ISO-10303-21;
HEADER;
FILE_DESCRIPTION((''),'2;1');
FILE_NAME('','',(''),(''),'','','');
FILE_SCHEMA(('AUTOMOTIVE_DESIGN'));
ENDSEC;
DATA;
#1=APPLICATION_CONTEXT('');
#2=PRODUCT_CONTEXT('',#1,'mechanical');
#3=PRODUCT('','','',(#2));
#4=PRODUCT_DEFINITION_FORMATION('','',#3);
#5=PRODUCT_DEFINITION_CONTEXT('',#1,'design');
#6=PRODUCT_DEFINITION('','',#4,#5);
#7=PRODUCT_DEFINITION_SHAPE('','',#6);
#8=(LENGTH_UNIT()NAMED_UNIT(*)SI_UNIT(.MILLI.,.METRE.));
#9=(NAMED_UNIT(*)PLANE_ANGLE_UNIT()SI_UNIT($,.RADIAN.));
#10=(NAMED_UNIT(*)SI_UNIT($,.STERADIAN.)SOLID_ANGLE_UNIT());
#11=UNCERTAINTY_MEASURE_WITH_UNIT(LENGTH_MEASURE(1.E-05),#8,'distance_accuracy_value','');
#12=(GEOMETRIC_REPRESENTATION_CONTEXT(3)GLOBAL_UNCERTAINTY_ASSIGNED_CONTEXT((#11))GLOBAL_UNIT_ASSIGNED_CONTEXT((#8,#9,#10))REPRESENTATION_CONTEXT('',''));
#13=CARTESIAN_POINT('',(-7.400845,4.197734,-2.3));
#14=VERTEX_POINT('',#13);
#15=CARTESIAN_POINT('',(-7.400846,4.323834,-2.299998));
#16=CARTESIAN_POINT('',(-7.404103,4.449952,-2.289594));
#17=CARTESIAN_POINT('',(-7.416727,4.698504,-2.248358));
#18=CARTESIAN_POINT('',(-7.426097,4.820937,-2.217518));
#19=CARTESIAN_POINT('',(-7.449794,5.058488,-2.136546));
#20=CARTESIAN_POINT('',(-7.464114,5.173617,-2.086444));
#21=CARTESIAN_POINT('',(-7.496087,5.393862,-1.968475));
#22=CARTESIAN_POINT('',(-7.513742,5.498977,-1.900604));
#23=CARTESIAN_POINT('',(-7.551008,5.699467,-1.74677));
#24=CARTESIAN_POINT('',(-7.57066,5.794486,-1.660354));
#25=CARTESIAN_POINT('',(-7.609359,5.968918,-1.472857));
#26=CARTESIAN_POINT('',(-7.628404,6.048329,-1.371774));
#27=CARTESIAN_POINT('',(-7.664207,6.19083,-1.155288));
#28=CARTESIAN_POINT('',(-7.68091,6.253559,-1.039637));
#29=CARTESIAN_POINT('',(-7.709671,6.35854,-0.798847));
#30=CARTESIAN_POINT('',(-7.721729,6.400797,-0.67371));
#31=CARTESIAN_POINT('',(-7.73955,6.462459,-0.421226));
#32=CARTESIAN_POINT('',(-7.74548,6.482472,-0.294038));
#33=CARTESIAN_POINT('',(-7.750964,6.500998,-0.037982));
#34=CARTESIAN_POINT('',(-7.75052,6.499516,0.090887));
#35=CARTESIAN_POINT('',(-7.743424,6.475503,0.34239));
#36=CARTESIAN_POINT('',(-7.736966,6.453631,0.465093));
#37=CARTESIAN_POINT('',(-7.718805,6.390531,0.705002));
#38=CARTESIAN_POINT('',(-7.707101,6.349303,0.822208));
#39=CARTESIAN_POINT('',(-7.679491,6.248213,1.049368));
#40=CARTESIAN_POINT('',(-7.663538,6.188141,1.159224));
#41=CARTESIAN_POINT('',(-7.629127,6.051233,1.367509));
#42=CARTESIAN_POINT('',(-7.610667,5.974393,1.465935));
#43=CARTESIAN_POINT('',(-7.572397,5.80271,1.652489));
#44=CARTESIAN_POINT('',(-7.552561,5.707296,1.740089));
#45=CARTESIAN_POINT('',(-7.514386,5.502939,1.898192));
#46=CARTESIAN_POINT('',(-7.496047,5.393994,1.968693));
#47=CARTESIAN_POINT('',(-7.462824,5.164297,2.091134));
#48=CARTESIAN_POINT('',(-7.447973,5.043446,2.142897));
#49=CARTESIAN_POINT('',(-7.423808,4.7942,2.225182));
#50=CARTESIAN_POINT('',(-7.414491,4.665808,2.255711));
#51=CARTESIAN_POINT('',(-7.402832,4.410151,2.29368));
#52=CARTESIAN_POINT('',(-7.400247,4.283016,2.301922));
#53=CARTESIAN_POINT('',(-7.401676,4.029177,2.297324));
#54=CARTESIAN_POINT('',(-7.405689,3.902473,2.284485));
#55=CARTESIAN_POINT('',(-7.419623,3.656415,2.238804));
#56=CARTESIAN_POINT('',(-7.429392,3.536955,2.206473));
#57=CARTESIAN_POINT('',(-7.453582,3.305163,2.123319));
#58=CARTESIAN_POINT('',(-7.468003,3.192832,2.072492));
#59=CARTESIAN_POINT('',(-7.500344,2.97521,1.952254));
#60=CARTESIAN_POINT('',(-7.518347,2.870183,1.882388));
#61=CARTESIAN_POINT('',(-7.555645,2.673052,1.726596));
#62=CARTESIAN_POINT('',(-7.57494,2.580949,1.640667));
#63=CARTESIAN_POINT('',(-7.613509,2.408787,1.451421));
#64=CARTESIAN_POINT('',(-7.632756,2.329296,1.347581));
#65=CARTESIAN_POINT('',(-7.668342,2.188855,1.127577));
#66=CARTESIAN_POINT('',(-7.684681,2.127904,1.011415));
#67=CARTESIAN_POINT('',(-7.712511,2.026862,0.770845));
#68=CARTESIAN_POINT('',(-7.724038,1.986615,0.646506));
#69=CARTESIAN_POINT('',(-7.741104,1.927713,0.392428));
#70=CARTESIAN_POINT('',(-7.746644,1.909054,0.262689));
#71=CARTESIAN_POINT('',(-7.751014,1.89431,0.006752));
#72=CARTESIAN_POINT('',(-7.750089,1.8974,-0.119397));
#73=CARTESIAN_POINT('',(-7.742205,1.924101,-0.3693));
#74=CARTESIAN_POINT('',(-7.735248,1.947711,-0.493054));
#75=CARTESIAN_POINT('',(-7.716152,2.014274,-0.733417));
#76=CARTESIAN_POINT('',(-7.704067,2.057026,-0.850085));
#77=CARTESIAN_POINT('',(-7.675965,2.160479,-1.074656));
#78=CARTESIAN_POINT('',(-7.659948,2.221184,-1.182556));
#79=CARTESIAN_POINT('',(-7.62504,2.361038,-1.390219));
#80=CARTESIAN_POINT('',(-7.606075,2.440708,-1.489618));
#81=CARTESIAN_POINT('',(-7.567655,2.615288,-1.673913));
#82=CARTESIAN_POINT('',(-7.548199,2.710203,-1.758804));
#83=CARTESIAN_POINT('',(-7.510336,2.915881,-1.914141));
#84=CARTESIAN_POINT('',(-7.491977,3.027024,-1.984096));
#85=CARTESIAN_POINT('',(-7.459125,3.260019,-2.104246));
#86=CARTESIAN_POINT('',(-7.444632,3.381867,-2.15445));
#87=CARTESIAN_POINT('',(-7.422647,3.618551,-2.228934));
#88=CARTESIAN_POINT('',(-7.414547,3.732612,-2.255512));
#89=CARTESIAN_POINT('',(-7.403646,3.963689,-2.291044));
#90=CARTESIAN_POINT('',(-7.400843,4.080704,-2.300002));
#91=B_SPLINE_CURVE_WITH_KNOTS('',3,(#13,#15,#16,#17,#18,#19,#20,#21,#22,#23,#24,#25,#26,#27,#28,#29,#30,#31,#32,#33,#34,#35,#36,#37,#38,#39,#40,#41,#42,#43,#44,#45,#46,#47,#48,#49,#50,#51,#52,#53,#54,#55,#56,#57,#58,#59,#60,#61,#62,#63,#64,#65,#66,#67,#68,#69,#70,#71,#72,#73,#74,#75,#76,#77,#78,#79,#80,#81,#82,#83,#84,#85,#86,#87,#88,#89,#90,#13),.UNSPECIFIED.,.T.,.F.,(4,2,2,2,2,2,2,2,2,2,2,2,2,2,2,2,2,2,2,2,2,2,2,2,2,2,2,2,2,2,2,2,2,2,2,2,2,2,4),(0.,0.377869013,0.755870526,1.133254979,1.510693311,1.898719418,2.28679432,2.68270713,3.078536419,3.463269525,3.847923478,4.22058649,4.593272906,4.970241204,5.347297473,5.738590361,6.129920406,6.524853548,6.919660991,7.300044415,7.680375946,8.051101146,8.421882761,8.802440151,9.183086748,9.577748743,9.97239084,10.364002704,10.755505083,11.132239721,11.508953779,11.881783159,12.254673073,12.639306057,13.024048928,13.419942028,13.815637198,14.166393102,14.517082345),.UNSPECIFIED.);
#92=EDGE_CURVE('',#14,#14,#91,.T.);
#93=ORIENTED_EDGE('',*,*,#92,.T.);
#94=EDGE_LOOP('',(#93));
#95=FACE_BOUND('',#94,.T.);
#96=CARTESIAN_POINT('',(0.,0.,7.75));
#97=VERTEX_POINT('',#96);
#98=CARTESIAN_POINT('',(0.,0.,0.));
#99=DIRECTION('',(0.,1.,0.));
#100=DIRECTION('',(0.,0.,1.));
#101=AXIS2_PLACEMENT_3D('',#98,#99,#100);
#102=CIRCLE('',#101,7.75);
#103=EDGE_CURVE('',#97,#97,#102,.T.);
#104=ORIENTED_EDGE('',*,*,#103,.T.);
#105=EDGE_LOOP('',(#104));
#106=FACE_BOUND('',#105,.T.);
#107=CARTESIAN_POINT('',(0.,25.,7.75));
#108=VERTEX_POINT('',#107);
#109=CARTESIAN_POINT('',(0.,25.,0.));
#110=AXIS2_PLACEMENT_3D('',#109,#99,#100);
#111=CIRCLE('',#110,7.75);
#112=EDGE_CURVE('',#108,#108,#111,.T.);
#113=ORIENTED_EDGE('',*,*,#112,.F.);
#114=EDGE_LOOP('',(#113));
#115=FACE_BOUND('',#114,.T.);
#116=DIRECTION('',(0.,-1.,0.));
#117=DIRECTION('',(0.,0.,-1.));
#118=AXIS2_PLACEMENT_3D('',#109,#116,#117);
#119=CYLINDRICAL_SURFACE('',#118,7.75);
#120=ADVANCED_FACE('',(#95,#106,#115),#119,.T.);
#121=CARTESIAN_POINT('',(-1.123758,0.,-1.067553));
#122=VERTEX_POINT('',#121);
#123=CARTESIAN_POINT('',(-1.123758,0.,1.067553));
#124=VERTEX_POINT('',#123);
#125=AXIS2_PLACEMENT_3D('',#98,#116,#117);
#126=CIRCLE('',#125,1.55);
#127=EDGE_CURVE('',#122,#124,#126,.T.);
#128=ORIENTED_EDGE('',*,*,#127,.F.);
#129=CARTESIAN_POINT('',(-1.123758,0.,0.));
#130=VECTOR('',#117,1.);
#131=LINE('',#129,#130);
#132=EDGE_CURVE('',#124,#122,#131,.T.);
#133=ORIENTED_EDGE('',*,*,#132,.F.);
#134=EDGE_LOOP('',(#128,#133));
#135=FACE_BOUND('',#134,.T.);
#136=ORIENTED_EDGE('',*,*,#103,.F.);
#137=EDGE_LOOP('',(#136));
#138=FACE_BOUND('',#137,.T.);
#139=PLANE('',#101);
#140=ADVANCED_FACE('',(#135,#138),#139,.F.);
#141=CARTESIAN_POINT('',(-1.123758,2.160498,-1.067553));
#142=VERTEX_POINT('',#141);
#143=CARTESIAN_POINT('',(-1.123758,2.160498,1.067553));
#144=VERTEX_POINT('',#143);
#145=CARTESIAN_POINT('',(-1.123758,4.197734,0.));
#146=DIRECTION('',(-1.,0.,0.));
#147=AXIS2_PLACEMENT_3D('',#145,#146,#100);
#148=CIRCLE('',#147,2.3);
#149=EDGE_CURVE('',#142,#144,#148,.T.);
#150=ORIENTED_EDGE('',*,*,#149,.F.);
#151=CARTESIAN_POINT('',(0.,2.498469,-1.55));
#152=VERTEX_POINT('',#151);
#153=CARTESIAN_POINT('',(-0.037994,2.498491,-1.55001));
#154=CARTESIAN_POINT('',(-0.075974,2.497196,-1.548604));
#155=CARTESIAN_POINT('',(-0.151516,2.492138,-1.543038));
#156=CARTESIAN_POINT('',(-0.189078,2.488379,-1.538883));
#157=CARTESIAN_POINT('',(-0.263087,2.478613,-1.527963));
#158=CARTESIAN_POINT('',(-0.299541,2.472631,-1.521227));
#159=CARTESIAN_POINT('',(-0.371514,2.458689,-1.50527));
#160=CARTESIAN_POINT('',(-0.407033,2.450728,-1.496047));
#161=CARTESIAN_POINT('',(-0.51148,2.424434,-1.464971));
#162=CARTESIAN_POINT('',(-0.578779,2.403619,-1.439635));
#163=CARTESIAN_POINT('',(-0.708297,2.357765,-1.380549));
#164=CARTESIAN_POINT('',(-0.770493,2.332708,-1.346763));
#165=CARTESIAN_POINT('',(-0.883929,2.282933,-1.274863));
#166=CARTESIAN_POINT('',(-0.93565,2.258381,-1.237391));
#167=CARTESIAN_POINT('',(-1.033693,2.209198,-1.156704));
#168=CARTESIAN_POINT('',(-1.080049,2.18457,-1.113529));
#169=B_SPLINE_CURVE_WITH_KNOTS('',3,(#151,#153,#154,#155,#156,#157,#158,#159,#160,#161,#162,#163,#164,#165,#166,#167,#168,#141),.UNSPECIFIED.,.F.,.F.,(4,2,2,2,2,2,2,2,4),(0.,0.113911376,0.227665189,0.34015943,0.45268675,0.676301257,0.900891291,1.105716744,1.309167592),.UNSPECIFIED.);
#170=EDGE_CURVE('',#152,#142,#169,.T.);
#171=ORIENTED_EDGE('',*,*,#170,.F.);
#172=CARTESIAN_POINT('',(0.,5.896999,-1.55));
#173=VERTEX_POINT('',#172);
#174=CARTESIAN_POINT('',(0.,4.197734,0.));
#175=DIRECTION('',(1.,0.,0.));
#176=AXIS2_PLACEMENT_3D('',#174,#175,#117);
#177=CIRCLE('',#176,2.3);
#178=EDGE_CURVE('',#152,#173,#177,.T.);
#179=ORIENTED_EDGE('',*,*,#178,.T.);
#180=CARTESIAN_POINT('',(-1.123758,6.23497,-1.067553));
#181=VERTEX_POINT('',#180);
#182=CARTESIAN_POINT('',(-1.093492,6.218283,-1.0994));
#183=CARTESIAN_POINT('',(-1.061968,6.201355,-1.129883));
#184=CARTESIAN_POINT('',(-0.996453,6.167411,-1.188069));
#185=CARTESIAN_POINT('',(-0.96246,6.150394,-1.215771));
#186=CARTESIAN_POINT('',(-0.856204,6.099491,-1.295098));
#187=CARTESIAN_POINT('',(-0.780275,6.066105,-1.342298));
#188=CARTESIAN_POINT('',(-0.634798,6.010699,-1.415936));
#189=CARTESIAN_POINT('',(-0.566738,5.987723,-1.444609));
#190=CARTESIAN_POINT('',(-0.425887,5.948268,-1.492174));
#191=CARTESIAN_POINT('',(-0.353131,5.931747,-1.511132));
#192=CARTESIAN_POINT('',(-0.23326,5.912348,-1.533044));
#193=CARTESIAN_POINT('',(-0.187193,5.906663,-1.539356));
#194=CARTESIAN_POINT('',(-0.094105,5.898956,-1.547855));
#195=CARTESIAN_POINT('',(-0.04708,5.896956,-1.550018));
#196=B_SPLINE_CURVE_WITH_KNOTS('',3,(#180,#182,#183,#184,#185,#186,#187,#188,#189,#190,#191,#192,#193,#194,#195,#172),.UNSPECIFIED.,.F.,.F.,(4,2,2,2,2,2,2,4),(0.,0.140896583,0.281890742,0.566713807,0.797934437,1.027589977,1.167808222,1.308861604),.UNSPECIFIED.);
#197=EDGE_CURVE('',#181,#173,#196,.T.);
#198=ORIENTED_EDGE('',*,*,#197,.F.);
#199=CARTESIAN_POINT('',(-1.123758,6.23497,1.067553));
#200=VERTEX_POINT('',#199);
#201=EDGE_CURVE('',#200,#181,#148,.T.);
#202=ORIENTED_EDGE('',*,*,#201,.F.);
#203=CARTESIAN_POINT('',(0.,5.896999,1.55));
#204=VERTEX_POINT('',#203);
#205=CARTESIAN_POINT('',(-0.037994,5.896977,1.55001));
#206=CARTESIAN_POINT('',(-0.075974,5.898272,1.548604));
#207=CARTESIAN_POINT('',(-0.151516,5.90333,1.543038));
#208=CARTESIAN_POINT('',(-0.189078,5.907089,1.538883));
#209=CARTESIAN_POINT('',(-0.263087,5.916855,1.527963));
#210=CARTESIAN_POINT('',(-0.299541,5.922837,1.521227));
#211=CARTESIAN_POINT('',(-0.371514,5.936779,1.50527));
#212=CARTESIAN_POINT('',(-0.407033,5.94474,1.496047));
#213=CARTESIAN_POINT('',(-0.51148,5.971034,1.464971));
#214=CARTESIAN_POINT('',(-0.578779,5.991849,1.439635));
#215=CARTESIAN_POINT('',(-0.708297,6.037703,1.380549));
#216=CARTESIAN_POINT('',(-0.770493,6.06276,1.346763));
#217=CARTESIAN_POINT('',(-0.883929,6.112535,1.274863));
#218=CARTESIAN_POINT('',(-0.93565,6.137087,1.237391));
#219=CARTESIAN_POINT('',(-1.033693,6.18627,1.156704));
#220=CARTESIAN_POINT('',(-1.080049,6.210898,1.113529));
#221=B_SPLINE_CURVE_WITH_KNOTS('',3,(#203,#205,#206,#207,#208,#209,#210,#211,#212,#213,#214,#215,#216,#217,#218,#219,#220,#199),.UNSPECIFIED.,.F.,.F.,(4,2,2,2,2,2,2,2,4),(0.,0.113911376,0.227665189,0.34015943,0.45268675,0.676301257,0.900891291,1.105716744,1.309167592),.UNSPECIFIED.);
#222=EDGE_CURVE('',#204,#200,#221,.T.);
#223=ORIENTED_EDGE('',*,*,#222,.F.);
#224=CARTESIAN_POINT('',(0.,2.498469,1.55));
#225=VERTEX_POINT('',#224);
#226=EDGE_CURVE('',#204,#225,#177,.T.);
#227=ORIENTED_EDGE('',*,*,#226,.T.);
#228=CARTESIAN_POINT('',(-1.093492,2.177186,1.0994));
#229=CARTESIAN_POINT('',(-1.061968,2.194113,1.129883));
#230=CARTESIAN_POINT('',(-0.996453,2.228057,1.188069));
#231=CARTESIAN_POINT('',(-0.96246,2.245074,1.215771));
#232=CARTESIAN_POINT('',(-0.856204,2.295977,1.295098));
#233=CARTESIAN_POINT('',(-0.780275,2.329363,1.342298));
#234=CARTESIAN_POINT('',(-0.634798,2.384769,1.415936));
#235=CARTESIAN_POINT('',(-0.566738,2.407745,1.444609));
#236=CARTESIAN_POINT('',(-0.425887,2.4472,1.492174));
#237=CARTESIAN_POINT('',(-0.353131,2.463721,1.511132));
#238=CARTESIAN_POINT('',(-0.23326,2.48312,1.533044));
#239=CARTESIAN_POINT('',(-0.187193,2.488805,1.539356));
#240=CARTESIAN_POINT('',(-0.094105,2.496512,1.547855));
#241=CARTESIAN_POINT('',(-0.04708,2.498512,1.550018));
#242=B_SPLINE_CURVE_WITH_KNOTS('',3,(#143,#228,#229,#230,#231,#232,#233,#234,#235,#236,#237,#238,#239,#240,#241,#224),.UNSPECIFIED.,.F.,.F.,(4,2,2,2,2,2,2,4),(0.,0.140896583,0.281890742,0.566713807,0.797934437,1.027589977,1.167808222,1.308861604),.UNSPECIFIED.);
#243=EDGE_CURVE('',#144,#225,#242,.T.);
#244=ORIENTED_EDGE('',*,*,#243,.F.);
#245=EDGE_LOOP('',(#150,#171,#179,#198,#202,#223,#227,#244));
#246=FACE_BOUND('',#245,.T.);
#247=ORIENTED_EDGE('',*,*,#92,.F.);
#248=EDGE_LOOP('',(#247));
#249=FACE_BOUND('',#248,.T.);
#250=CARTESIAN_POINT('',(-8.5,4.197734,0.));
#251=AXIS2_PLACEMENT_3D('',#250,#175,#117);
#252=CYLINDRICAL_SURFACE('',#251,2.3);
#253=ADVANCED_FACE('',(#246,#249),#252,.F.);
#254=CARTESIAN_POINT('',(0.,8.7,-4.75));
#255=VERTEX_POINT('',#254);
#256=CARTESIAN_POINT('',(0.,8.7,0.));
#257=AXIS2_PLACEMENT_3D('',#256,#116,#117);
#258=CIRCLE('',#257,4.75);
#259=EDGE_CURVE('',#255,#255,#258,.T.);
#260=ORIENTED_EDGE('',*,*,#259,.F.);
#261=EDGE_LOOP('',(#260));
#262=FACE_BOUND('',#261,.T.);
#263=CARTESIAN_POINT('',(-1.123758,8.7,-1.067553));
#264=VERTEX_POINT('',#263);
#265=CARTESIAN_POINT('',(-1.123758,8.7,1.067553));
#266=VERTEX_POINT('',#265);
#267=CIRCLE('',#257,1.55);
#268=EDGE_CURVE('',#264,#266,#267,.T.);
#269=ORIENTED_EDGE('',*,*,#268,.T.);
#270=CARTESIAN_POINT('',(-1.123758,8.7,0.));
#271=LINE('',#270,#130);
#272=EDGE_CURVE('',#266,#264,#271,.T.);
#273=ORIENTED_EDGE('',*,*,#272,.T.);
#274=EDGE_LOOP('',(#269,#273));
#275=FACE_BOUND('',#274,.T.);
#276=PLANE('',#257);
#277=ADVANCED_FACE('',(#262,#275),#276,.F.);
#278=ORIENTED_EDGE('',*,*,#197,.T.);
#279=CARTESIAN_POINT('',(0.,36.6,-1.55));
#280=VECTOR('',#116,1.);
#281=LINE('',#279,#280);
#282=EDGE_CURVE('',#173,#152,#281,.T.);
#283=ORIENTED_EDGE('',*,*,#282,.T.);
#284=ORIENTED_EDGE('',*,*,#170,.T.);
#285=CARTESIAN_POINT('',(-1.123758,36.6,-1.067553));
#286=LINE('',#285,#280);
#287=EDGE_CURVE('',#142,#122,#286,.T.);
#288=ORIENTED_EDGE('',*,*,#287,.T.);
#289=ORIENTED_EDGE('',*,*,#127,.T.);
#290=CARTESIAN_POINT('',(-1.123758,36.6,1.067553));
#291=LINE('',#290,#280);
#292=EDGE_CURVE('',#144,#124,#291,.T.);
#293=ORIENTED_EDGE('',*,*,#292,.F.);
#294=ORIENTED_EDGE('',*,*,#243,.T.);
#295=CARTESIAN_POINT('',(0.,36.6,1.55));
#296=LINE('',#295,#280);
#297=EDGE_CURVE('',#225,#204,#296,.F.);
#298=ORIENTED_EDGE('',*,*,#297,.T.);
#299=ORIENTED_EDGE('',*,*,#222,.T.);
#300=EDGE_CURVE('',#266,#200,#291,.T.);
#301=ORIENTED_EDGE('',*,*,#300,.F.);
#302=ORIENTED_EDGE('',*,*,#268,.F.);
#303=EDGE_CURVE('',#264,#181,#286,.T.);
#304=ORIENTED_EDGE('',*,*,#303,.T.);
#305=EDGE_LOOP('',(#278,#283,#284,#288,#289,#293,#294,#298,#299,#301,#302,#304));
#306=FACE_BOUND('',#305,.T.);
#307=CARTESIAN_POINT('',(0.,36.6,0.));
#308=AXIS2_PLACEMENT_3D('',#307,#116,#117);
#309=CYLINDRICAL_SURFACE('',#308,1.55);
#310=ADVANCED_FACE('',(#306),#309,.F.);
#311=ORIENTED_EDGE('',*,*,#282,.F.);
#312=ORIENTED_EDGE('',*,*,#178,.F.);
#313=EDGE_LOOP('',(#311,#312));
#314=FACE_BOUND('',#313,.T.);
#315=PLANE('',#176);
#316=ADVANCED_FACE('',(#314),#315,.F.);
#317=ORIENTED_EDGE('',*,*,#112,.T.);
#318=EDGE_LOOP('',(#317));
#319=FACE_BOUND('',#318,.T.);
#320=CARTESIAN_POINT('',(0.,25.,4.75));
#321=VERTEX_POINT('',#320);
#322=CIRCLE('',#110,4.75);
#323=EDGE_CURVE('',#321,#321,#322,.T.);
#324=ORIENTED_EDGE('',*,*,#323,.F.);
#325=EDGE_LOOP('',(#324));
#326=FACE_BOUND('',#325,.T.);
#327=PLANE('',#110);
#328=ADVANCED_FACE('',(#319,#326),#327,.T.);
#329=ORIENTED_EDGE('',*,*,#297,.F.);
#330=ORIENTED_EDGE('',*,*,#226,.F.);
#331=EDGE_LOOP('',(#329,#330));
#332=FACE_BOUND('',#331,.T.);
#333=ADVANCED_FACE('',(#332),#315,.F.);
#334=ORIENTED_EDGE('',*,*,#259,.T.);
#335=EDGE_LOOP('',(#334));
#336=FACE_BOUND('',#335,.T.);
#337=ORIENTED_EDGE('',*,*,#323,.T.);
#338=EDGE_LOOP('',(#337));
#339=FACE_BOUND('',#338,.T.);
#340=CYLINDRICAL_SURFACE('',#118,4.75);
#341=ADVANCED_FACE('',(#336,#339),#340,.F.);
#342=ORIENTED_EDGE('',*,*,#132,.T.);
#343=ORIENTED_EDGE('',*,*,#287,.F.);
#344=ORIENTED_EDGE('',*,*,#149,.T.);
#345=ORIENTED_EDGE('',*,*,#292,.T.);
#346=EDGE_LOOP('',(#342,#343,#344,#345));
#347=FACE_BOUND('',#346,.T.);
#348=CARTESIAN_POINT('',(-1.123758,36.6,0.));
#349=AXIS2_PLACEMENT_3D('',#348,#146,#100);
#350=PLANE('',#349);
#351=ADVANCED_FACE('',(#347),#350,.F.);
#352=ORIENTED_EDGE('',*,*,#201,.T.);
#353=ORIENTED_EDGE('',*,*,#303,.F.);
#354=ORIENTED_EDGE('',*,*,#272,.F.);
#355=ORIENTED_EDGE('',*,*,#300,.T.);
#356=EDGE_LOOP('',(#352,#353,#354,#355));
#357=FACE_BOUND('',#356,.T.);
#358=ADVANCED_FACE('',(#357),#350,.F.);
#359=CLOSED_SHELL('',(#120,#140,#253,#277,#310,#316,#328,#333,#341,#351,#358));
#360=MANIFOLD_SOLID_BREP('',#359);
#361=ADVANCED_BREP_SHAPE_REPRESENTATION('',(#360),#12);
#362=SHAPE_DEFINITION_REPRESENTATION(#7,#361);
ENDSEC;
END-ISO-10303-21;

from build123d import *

# Parameters (mm, degrees)
CROQUIS1_R              = 7.75
SALIENTE_EXTRUIR1_DEPTH = 25
VACIADO1_T              = -3
CROQUIS4_R              = 7.75
SALIENTE_EXTRUIR2_DEPTH = 8.7
CORTAR_EXTRUIR1_DEPTH   = 36.6
CROQUIS2_R              = 2.3
CORTAR_EXTRUIR2_DEPTH   = 8.5


with BuildPart() as part:
    # Croquis1 → Saliente-Extruir1 (new body)
    with BuildSketch(Plane(origin=(0, 0, 0), x_dir=(1, 0, 0), z_dir=(0, 1, 0))):
        with Locations(Location((0, 0, 0), (0, 0, 270))):
            Circle(CROQUIS1_R)
    extrude(amount=SALIENTE_EXTRUIR1_DEPTH)

    # Vaciado1
    vaciado1_openings = [part.faces().sort_by_distance(p)[0] for p in [
        (0, 25, 0),
    ]]
    offset(amount=VACIADO1_T, openings=vaciado1_openings, kind=Kind.INTERSECTION)

    # Croquis4 → Saliente-Extruir2 (add)
    with BuildSketch(Plane.XZ):
        with Locations(Location((0, 0, 0), (0, 0, 90))):
            Circle(CROQUIS4_R)
    extrude(amount=-SALIENTE_EXTRUIR2_DEPTH)

    # Croquis3 → Cortar-Extruir1 (cut)
    with BuildSketch(Plane.XZ):
        with BuildLine():
            ThreePointArc((1.55, 0), (0.574750216, 1.439500674), (-1.123757664, 1.067552674))
            Line((-1.123757664, 1.067552674), (-1.123757664, -1.067552674))
            ThreePointArc((-1.123757664, -1.067552674), (0.574750216, -1.439500674), (1.55, 0))
        make_face()
    extrude(amount=-CORTAR_EXTRUIR1_DEPTH, mode=Mode.SUBTRACT)

    # Croquis2 → Cortar-Extruir2 (cut)
    with BuildSketch(Plane(origin=(0, 0, 0), x_dir=(0, 0, -1), z_dir=(1, 0, 0))):
        with Locations((0, 4.19773403)):
            Circle(CROQUIS2_R)
    extrude(amount=-CORTAR_EXTRUIR2_DEPTH, mode=Mode.SUBTRACT)


solid = part.part
